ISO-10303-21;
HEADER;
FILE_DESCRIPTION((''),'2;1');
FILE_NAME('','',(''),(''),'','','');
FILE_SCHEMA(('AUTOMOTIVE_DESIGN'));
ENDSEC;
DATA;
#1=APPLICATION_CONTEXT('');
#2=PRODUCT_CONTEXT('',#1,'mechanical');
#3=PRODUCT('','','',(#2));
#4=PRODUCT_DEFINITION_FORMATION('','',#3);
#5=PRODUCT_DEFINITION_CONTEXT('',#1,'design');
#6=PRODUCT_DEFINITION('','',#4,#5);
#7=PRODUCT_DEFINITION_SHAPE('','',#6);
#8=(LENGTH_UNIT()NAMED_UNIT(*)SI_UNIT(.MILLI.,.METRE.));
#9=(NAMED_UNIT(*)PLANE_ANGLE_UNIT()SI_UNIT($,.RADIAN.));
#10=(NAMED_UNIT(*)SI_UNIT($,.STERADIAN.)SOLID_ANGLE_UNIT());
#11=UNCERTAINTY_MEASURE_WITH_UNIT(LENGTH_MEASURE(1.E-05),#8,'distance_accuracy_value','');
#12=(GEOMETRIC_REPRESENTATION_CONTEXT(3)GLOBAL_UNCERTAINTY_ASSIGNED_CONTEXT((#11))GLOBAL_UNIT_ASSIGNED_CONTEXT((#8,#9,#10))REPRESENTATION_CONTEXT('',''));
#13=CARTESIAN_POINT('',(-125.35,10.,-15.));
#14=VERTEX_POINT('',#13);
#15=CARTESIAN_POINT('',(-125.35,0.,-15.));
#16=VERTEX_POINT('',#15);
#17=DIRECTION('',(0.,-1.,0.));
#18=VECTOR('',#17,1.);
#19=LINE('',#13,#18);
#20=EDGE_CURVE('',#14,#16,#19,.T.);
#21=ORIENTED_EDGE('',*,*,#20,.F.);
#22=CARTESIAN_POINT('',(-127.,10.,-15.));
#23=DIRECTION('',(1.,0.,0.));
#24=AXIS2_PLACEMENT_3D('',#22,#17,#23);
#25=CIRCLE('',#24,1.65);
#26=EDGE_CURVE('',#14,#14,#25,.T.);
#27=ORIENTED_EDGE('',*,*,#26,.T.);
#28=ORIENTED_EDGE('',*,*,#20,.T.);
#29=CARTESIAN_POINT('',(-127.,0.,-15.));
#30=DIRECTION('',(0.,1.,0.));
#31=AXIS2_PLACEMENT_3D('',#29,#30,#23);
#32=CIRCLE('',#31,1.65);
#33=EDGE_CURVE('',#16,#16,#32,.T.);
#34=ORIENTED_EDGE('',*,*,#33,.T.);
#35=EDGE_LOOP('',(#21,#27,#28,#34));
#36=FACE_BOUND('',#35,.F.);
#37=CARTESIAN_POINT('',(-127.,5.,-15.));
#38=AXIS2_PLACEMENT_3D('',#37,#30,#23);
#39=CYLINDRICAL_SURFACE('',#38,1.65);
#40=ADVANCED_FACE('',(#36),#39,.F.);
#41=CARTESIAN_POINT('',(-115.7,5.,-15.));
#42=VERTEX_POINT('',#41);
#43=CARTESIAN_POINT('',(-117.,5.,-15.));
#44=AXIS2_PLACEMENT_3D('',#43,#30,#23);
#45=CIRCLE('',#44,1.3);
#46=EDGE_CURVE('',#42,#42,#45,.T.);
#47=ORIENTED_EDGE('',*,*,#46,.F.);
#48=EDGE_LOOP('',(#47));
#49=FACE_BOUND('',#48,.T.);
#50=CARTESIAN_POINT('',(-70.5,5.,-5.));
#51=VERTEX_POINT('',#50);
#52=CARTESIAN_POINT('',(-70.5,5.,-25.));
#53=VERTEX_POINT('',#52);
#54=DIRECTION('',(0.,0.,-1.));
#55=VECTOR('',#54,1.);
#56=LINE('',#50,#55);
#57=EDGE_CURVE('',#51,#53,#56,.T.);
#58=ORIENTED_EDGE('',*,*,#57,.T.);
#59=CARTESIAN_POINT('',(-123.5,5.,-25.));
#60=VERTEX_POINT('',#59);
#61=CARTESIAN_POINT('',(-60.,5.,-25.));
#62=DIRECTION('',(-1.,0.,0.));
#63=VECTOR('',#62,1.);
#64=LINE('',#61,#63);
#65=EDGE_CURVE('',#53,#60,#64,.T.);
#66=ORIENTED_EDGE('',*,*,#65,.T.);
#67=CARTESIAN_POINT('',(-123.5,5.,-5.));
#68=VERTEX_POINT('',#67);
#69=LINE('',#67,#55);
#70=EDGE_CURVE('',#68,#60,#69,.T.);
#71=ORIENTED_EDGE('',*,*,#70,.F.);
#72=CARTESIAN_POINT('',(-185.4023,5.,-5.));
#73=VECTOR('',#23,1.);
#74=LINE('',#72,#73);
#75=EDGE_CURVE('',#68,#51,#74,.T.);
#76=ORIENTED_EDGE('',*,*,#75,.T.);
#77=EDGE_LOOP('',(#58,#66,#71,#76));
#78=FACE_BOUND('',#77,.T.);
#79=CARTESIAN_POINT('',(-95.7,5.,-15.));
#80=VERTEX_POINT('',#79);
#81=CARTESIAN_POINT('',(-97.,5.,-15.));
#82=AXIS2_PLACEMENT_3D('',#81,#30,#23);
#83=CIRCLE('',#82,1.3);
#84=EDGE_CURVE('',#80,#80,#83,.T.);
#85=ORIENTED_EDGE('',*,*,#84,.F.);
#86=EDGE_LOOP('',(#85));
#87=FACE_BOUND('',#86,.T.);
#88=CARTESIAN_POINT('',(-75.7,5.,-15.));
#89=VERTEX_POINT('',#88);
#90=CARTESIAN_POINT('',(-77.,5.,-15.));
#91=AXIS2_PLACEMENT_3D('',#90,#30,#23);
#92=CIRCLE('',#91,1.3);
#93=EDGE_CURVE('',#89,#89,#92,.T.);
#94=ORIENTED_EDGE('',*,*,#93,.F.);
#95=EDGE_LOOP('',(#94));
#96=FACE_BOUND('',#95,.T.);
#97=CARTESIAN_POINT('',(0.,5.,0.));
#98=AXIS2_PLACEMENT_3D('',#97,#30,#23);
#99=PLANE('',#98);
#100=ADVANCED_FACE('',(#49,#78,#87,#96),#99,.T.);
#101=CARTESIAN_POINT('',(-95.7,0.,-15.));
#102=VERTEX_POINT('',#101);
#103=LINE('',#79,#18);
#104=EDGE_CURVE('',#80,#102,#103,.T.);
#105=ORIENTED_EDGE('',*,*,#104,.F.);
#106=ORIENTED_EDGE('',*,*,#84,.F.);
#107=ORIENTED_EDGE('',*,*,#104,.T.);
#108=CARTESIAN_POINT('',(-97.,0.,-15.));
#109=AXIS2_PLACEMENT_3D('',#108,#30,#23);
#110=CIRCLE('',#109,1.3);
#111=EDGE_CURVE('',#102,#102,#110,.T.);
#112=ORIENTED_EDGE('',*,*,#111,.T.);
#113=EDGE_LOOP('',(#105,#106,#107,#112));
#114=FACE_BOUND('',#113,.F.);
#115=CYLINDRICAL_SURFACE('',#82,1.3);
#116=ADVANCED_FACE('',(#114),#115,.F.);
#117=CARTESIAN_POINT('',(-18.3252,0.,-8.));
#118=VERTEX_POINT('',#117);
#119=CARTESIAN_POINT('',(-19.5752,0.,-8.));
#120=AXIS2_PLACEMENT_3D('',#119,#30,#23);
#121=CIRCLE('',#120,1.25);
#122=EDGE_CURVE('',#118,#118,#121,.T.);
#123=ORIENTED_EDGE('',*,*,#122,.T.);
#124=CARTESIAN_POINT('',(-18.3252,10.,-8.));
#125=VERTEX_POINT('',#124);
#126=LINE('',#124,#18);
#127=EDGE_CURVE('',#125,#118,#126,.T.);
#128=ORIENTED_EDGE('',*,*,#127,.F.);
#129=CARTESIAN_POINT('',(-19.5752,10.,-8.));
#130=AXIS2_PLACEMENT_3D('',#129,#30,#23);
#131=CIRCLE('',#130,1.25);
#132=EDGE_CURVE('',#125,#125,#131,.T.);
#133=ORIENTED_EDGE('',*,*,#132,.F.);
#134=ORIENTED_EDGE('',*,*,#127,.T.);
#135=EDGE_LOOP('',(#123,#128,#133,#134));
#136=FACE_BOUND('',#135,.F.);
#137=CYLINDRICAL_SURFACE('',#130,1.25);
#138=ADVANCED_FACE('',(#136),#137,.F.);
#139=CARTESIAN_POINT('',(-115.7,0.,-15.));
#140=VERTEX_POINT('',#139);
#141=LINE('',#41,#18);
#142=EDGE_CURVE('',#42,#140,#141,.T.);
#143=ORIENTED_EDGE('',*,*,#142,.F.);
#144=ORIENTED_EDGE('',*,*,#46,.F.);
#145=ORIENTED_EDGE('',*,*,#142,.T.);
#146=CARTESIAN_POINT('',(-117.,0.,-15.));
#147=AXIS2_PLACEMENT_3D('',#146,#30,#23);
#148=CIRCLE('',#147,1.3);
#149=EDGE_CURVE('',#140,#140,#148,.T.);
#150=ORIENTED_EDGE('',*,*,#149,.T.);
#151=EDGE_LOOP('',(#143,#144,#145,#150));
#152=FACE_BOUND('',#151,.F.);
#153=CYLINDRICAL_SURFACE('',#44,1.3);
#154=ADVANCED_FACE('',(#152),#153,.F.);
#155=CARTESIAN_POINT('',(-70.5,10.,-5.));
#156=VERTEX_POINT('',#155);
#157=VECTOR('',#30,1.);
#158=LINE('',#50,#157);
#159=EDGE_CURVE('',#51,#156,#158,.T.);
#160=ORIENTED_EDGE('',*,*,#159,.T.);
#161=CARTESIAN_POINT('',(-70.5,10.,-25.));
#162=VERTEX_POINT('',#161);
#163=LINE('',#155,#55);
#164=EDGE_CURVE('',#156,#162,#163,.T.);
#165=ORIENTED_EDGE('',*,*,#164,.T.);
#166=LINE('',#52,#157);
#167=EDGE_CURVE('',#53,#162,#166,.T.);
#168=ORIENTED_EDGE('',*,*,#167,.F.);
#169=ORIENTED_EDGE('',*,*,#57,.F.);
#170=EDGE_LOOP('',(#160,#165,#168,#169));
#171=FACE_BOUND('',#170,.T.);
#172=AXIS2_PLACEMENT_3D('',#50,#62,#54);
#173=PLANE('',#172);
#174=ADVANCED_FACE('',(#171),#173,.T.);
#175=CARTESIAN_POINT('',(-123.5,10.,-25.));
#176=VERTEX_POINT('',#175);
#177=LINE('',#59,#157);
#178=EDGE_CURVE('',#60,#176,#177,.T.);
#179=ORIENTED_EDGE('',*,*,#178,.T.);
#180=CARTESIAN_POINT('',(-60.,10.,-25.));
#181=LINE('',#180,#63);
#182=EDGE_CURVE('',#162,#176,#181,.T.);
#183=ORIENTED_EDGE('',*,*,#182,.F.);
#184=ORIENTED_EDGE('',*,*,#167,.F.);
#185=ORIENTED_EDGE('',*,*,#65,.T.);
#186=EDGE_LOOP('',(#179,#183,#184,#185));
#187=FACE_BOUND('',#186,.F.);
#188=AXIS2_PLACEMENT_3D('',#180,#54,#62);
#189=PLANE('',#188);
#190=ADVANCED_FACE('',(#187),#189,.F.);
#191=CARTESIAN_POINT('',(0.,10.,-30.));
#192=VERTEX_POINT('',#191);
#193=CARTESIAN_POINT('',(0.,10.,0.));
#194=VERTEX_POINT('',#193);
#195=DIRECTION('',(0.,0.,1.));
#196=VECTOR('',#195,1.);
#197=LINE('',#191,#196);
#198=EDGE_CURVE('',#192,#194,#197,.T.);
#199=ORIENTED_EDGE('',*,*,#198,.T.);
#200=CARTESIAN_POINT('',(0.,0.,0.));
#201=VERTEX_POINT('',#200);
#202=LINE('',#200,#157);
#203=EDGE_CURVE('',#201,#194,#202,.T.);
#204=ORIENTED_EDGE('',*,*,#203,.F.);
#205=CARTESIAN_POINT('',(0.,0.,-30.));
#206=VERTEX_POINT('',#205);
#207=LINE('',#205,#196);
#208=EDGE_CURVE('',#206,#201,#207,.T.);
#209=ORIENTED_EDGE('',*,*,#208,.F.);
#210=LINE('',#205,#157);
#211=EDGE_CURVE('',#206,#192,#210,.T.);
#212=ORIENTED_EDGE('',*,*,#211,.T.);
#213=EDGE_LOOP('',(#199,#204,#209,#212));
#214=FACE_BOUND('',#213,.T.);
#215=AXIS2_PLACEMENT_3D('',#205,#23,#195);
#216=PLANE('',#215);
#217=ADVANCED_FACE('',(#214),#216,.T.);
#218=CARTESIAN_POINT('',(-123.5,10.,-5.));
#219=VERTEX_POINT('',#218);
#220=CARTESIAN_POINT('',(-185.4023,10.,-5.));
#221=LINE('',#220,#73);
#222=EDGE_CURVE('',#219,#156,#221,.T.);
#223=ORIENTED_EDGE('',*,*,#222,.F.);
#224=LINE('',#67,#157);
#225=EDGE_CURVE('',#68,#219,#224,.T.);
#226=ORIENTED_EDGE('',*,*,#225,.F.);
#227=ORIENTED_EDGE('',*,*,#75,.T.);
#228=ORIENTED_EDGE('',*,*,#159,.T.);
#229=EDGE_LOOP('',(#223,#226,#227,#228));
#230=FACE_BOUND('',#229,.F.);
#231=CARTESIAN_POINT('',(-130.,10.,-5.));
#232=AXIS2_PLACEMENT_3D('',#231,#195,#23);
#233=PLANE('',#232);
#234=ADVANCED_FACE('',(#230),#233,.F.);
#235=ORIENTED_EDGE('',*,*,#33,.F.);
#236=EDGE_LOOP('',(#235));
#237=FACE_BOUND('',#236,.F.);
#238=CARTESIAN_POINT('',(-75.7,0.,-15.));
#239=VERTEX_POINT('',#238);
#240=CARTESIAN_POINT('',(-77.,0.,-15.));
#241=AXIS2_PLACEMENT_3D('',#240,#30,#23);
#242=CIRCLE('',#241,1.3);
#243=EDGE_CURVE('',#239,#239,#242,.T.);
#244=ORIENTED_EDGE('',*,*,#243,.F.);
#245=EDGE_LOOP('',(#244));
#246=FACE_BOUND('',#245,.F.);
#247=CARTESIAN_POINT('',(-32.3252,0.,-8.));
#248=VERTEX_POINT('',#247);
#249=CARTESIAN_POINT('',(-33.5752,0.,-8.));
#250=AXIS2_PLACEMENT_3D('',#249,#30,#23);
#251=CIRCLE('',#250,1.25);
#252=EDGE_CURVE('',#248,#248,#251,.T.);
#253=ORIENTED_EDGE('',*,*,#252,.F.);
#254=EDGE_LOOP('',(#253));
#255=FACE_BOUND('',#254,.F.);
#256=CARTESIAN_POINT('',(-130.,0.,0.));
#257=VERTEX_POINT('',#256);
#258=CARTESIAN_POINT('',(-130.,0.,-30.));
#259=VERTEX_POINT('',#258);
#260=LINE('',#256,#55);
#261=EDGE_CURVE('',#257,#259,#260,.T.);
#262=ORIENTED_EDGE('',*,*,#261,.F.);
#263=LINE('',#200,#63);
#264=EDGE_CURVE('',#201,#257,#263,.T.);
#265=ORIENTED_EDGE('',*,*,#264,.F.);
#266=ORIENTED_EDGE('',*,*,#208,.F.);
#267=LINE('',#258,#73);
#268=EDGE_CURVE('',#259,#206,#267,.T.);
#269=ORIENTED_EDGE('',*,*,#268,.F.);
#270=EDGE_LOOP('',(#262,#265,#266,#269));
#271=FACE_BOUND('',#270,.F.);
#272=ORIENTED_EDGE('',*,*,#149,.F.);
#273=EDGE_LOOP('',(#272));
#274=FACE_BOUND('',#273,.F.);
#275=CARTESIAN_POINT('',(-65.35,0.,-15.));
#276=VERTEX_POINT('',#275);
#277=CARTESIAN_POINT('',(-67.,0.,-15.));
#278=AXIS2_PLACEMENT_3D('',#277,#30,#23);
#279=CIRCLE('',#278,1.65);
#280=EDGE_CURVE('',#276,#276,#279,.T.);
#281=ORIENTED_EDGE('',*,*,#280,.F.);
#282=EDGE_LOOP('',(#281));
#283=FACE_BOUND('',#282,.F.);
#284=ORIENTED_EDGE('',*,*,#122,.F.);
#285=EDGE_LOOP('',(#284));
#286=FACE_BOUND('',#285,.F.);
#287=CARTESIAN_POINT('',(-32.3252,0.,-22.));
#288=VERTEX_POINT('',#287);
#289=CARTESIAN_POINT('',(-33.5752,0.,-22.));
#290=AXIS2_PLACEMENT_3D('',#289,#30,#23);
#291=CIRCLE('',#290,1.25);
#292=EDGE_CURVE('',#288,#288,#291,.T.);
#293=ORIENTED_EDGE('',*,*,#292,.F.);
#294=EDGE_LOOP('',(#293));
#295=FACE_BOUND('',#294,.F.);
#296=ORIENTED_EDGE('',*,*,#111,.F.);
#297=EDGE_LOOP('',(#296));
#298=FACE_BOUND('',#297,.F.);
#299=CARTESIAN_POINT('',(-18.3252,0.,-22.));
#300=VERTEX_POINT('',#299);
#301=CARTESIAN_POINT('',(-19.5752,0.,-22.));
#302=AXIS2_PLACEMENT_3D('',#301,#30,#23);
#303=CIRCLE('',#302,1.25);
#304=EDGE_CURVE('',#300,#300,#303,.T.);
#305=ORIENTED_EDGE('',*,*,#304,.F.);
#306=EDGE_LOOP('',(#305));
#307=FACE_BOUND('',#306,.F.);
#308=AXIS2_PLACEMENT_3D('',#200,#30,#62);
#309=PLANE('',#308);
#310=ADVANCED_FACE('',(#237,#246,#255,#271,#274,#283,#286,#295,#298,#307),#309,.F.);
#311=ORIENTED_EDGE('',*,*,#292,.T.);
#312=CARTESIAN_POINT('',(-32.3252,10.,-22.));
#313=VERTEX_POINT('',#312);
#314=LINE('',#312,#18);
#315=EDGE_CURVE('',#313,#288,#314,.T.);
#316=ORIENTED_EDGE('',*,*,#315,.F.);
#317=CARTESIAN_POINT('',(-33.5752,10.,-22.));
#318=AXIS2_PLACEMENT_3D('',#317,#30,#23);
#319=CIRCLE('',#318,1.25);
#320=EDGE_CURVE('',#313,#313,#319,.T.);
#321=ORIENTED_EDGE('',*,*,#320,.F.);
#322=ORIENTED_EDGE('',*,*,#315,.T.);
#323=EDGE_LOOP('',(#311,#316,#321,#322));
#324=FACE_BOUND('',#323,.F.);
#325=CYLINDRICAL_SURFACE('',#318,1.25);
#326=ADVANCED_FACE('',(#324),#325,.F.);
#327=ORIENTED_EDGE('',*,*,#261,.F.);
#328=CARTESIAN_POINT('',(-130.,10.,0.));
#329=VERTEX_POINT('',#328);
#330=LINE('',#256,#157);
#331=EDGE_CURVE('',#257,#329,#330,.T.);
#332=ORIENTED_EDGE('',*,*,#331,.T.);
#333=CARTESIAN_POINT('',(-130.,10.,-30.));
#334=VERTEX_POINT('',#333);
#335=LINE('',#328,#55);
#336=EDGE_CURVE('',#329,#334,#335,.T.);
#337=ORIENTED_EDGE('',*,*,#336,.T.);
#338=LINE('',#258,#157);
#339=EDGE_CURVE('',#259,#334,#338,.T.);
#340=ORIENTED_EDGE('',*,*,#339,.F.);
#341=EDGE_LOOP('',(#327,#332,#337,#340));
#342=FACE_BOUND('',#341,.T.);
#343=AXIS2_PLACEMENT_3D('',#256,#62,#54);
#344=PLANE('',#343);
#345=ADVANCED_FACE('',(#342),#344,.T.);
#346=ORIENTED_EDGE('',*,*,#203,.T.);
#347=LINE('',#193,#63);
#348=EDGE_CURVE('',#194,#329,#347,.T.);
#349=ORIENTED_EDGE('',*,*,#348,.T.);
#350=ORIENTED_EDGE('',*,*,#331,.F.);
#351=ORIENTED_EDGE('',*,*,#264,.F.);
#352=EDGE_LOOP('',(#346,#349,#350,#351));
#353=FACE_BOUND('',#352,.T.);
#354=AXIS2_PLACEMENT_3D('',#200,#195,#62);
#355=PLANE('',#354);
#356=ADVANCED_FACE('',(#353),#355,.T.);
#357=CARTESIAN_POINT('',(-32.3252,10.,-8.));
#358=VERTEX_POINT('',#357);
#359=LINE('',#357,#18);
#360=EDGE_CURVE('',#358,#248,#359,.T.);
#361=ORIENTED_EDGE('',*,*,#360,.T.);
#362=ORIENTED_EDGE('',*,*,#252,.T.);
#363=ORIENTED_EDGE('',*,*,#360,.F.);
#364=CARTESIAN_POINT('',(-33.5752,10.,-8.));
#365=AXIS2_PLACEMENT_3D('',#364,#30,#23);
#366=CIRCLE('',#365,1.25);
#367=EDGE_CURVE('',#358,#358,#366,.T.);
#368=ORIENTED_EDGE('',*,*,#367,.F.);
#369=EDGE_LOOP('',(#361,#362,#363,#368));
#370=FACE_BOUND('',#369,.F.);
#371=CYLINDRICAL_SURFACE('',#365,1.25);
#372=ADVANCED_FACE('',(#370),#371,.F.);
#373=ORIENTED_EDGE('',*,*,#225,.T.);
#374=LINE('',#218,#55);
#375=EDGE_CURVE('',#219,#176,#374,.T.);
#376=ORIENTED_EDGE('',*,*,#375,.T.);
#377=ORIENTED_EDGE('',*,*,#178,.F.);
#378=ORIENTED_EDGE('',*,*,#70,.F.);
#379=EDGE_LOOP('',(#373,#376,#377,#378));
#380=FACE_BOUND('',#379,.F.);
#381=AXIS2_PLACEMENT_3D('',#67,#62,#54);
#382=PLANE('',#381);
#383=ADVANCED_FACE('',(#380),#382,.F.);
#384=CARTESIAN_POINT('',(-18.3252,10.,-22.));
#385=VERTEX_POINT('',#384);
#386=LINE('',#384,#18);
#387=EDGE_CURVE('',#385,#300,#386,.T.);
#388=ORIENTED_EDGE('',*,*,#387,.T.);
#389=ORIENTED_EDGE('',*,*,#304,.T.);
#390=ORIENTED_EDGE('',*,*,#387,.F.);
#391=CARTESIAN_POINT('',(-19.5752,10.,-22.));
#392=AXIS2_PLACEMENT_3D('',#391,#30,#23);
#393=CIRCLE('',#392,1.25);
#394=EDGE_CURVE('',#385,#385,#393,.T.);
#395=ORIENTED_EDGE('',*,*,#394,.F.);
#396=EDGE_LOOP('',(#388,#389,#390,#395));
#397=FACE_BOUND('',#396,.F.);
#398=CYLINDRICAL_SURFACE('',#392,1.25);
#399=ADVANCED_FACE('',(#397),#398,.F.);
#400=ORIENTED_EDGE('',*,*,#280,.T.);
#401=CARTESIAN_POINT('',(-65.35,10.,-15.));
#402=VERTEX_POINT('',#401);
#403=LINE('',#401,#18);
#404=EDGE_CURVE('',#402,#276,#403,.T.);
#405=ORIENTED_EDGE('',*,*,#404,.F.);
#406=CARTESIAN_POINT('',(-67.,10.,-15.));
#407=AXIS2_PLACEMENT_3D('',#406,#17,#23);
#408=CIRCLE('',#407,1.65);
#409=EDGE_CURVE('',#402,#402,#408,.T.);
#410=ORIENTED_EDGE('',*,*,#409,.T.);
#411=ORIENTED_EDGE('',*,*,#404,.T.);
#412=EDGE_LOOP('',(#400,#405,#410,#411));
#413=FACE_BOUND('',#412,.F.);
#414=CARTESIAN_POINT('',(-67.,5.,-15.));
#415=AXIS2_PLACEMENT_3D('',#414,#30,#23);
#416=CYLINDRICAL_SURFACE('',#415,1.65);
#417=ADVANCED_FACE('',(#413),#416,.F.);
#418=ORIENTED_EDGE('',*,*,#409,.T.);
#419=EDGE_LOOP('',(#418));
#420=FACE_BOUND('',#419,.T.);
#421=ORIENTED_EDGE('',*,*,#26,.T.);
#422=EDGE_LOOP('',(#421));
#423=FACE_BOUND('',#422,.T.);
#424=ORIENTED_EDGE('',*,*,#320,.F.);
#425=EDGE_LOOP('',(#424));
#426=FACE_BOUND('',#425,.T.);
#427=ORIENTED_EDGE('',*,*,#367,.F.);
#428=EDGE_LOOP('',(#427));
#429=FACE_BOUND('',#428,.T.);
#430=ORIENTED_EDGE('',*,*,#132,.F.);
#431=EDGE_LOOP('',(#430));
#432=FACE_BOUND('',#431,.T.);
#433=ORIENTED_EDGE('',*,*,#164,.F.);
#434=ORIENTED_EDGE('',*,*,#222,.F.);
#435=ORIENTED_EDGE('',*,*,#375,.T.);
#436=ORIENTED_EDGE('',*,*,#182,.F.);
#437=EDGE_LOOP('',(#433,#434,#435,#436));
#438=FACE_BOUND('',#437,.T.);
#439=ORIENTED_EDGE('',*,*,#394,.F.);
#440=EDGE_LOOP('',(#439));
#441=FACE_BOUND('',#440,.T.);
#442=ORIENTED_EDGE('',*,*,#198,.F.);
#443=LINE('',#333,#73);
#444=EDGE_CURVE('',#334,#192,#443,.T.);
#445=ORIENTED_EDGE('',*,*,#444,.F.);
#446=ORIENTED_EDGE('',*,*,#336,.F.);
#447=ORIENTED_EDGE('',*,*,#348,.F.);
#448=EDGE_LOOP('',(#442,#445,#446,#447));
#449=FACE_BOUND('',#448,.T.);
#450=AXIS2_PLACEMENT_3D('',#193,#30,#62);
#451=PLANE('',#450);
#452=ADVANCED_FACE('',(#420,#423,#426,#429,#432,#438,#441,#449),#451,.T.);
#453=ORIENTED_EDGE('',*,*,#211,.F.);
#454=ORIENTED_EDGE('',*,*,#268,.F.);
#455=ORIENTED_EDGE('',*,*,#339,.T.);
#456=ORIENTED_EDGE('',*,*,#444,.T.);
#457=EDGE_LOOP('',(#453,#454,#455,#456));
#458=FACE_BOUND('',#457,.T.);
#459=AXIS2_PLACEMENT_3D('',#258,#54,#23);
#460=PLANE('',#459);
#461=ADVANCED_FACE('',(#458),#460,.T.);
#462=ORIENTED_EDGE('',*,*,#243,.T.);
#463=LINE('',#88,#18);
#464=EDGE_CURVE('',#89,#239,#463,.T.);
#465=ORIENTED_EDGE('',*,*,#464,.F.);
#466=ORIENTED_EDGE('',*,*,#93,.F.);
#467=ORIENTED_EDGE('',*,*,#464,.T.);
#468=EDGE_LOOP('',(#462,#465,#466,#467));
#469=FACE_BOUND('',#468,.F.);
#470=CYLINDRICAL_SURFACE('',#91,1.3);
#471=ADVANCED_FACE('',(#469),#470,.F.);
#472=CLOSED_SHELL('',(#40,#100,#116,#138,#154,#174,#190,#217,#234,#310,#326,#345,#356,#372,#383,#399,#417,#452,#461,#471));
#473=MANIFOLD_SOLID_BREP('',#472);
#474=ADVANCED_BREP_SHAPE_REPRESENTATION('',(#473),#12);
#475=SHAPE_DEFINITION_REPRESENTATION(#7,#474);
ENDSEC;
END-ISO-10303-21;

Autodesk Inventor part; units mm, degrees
ref_plane "YZ Plane" through (0, 0, 0) normal (1, 0, 0) x (0, 1, 0)
ref_plane "XZ Plane" through (0, 0, 0) normal (0, 1, 0) x (-1, 0, 0)
ref_plane "XY Plane" through (0, 0, 0) normal (0, 0, 1) x (1, 0, 0)
sketch "Schizzo1" plane through (0, 0, 0) normal (0, 1, 0) x (-1, 0, 0)
  line L0 (0, 0) -> (130, 0)
  line L1 (130, 0) -> (130, -30)
  line L2 (130, -30) -> (0, -30)
  line L3 (0, -30) -> (0, 0)
  dimension "d0" = 30
  dimension "d1" = 130
extrude "Estrusione1" add sketch "Schizzo1" along normal blind 10
sketch "Schizzo2" plane through (0, 10, 0) normal (0, 1, 0) x (1, 0, 0)
  line L0 (-185.4023, 5) -> (-60, 5)
  line L1 (-60, 5) -> (-60, 25)
  line L2 (-60, 25) -> (-185.4023, 25)
  line L3 (-185.4023, 25) -> (-185.4023, 5)
  line L4 (-130, 0) -> (0, 0) projected
  line L5 (-130, 30) -> (-130, 0) projected
  point P0 (-130, 25)
  point P1 (-130, 5)
  dimension "d4" = 20
  dimension "d5" = 5
  dimension "d6" = 70
extrude "Estrusione2" cut sketch "Schizzo2" against normal blind 5 contours L5 L2 L1 L0
sketch "Schizzo3" plane through (0, 5, 0) normal (0, 1, 0) x (1, 0, 0)
  circle A0 centre (-127, 15) radius 1.65
  circle A1 centre (-117, 15) radius 1.3
  circle A2 centre (-97, 15) radius 1.3
  circle A3 centre (-77, 15) radius 1.3
  circle A4 centre (-67, 15) radius 1.65
  line L0 (-130, 0) -> (0, 0) projected
  line L1 (-130, 5) -> (-130, 25) projected
  line L2 (-145.516, 5) -> (-124, 5)
  line L3 (-124, 5) -> (-124, 25)
  line L4 (-124, 25) -> (-145.516, 25)
  line L5 (-145.516, 25) -> (-145.516, 5)
  line L6 (-60, 5) -> (-130, 5) projected
  line L7 (-70, 5) -> (-43.6658, 5)
  line L8 (-43.6658, 5) -> (-43.6658, 25)
  line L9 (-43.6658, 25) -> (-70, 25)
  line L10 (-70, 25) -> (-70, 5)
  dimension "d9" = 3.3
  dimension "d10" = 2.6
  dimension "d11" = 2.6
  dimension "d12" = 2.6
  dimension "d13" = 3.3
  dimension "d14" = 15
  dimension "d15" = 63
  dimension "d16" = 60
  dimension "d18" = 10
  dimension "d19" = 0
  dimension "d20" = 0
  dimension "d21" = 0
  dimension "d22" = 40
  dimension "d23" = 20
  dimension "d39" = 6
  dimension "d40" = 0
  dimension "d41" = 20
  dimension "d42" = 0
  dimension "d43" = 20
  dimension "d44" = 54
extrude "Estrusione3" cut sketch "Schizzo3" along normal through all both and the other way through all contours A0 | A1 | A2 | A3 | A4
sketch "Schizzo4" plane through (0, 10, 0) normal (0, 1, 0) x (1, 0, 0)
  circle A0 centre (-33.5752, 8) radius 1.25
  circle A1 centre (-19.5752, 8) radius 1.25
  circle A2 centre (-19.5752, 22) radius 1.25
  circle A3 centre (-33.5752, 22) radius 1.25
  line L0 (-130, 0) -> (0, 0) projected
  dimension "d26" = 14
  dimension "d27" = 14
  dimension "d28" = 14
  dimension "d29" = 14
  dimension "d30" = 0
  dimension "d31" = 0
  dimension "d32" = 8
  dimension "d33" = 2.5
  dimension "d34" = 2.5
  dimension "d35" = 2.5
  dimension "d36" = 2.5
extrude "Estrusione4" cut sketch "Schizzo4" against normal through all
sketch "Schizzo5" plane through (0, 5, 0) normal (0, 1, 0) x (1, 0, 0)
  line L0 (-60, 5) -> (-130, 5) projected
  line L1 (-130, 25) -> (-60, 25) projected
  line L2 (-60, 5) -> (-70.5, 5)
  line L3 (-70.5, 5) -> (-70.5, 25)
  line L4 (-70.5, 25) -> (-60, 25)
  line L5 (-60, 25) -> (-60, 5)
  line L6 (-130, 30) -> (-130, 0) projected
  line L7 (-130, 5) -> (-123.5, 5)
  line L8 (-123.5, 5) -> (-123.5, 25)
  line L9 (-123.5, 25) -> (-130, 25)
  line L10 (-130, 25) -> (-130, 5)
  point P0 (0, 0)
  point P1 (-123.5, 5)
  point P2 (-123.5, 25)
  dimension "d45" = 6.5
  dimension "d46" = 53
extrude "Estrusione5" add sketch "Schizzo5" along normal blind 5 contours L0 L3 L1 L5 | L0 L6 L1 L8
sketch "Schizzo6" plane through (0, 0, 0) normal (0, -1, 0) x (1, 0, 0)
  circle A0 centre (-127, -15) radius 1.65 projected
  circle A1 centre (-127, -15) radius 1.65
  circle A2 centre (-67, -15) radius 1.65 projected
  circle A3 centre (-67, -15) radius 1.65
  point P0 (0, 0)
  dimension "d49" = 3.3
  dimension "d50" = 3.3
extrude "Estrusione6" cut sketch "Schizzo6" against normal blind 50
properties part number "prortezione penna correnti parassite"
